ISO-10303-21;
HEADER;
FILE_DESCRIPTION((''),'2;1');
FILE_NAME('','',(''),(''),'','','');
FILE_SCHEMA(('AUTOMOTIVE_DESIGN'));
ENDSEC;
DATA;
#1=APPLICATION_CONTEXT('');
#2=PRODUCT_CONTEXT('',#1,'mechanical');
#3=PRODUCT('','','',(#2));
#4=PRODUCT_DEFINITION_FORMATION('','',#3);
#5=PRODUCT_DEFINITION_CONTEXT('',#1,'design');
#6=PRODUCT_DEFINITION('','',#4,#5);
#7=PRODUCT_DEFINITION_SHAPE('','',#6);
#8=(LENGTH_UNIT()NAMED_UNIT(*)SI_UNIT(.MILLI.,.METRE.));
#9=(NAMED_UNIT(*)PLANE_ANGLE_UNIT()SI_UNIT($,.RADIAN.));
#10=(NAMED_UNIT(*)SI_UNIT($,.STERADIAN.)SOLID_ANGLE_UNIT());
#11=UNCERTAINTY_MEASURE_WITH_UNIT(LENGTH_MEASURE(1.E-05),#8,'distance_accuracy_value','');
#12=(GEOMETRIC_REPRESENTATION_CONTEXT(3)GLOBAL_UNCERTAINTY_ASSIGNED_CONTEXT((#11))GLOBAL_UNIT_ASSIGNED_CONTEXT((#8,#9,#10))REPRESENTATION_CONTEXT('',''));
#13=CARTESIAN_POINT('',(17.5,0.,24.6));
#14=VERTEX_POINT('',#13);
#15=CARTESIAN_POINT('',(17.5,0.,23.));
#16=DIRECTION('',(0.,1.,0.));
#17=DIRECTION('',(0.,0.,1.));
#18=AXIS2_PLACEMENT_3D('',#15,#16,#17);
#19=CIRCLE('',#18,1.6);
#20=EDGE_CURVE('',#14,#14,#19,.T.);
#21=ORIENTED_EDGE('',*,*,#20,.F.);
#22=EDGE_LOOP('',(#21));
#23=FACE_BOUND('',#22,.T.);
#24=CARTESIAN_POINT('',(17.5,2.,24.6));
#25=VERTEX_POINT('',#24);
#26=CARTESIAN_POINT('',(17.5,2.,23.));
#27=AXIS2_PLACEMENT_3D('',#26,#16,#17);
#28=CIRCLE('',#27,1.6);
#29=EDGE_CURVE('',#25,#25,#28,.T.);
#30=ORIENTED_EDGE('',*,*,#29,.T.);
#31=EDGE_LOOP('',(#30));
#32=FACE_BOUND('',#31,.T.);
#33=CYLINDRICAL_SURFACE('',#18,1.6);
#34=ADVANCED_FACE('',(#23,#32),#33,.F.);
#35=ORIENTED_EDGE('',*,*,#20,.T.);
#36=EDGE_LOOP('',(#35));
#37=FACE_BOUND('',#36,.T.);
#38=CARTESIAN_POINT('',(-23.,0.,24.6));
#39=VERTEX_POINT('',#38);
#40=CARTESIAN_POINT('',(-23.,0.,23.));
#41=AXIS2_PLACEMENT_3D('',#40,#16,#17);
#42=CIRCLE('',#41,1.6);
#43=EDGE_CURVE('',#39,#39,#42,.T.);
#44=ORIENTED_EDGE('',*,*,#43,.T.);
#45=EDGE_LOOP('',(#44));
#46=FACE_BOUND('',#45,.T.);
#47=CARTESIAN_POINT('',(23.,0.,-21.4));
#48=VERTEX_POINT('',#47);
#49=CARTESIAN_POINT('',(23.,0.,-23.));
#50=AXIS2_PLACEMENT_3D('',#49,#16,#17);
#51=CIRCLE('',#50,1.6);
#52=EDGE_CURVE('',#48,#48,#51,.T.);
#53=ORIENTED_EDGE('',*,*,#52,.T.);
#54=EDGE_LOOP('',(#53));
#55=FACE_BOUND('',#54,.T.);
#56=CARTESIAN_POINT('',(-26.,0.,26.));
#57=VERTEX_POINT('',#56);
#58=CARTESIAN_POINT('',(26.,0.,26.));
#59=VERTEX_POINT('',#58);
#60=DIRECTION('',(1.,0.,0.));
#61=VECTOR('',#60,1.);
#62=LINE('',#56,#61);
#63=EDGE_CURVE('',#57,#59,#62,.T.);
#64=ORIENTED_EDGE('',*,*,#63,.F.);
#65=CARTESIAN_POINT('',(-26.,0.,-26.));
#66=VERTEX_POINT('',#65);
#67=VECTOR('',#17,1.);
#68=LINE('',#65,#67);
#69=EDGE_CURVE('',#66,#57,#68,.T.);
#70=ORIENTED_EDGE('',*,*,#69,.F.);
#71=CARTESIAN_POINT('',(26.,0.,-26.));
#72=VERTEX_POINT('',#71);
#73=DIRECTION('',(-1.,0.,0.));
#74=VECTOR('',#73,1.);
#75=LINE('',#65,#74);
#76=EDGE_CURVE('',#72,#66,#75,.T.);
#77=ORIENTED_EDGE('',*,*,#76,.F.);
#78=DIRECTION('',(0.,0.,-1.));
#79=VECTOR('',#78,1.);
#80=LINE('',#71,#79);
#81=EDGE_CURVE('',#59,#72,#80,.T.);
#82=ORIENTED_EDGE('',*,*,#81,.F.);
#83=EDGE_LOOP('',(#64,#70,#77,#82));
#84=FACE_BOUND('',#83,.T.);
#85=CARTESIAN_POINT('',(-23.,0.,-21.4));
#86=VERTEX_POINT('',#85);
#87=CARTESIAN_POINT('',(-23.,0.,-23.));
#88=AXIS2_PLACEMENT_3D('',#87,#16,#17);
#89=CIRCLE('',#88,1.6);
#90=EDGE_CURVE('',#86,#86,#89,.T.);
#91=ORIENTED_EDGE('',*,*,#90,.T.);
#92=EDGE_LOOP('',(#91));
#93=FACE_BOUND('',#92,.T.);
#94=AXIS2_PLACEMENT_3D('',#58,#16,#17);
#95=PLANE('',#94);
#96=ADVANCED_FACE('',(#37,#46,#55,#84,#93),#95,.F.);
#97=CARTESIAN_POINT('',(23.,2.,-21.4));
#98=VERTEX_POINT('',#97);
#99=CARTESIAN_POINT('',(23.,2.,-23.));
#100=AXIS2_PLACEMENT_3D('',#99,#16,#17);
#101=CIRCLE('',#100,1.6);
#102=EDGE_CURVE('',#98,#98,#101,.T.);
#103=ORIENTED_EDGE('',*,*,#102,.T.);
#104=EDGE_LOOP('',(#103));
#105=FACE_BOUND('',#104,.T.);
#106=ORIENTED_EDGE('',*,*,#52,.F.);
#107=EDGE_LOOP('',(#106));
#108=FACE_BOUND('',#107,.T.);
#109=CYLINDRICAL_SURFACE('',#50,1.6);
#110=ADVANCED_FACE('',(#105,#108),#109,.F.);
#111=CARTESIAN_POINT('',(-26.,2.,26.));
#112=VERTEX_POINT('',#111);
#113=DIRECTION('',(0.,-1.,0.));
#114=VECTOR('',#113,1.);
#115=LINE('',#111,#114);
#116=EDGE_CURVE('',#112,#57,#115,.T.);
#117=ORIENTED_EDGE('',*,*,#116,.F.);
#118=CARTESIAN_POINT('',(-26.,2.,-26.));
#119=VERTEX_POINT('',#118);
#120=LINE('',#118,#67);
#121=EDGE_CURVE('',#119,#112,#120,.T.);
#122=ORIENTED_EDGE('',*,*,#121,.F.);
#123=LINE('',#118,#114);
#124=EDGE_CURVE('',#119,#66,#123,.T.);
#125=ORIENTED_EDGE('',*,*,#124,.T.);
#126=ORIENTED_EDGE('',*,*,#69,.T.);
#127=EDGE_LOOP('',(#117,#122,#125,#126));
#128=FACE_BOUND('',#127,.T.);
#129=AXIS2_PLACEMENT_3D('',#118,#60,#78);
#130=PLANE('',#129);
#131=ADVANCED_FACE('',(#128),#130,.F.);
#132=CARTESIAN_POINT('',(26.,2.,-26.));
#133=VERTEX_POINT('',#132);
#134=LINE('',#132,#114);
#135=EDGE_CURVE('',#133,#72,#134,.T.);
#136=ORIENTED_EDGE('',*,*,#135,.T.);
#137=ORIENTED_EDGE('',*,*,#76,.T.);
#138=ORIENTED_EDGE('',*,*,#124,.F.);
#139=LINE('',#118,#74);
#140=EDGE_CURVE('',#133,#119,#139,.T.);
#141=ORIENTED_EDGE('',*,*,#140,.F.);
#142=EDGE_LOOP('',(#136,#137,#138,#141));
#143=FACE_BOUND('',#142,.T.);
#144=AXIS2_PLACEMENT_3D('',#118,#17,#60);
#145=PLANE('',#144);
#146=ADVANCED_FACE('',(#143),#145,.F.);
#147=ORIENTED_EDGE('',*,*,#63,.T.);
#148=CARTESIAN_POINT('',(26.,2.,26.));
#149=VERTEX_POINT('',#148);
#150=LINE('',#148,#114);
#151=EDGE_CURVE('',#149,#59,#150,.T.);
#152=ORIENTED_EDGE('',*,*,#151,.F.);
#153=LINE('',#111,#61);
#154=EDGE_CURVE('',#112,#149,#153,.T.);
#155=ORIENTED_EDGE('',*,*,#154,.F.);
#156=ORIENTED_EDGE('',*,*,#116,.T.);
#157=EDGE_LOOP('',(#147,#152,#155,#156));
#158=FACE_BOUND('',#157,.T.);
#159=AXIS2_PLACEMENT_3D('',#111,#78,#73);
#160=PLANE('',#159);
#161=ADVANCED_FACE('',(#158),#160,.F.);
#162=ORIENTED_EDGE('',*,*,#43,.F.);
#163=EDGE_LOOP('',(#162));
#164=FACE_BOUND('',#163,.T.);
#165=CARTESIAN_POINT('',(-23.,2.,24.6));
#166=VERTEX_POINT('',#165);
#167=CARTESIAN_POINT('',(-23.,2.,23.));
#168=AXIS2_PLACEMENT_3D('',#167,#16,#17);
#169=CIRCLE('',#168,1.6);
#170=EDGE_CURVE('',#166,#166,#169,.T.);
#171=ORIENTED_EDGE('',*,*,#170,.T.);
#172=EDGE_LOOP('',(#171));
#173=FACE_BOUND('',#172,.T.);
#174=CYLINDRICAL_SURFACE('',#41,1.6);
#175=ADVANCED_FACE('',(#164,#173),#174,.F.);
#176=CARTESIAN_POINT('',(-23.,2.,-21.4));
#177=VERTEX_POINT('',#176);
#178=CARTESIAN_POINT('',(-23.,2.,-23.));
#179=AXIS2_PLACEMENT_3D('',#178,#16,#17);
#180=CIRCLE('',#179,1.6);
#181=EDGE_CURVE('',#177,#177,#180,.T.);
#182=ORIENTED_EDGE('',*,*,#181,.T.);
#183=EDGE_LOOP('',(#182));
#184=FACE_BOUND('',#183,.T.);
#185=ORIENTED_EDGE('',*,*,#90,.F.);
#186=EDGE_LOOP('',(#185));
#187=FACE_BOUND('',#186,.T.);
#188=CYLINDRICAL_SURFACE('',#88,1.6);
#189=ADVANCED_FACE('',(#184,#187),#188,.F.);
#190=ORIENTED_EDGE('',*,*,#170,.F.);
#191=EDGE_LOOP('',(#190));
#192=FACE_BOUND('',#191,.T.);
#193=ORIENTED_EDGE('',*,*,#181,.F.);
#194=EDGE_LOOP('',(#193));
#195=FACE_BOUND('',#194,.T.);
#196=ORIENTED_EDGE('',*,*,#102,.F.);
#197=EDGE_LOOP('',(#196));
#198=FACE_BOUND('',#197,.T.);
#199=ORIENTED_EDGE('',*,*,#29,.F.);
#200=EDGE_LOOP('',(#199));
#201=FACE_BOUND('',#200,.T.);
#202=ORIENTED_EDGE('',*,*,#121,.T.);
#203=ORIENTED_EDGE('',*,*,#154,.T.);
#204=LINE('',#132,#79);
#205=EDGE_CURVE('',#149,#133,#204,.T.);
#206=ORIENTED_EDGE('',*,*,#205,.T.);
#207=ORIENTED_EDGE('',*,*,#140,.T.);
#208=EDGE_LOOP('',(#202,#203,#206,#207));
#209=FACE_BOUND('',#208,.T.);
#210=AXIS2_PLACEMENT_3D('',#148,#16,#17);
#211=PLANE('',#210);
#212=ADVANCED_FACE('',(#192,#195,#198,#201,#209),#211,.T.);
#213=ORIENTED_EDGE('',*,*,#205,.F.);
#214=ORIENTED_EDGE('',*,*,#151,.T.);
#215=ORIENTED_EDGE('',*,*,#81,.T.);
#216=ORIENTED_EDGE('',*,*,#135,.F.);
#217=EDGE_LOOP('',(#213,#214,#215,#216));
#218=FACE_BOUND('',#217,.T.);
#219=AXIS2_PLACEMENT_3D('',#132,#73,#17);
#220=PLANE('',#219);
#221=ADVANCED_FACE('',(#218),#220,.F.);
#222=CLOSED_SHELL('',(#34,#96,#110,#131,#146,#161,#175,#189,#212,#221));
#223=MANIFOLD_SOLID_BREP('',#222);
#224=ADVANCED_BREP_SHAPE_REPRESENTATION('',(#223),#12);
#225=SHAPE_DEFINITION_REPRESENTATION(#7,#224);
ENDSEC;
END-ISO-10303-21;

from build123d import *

# Parameters (mm, degrees)
SKETCH1_W      = 52
SKETCH1_H      = 52
EXTRUDE1_DEPTH = 2
SKETCH2_R      = 1.6
EXTRUDE2_DEPTH = 2


with BuildPart() as part:
    # Sketch1 → Extrude1 (new body)
    with BuildSketch(Plane(origin=(0, 0, 0), x_dir=(1, 0, 0), z_dir=(0, 1, 0))):
        Rectangle(SKETCH1_W, SKETCH1_H)
    extrude(amount=EXTRUDE1_DEPTH)

    # Sketch2 → Extrude2 (cut)
    with BuildSketch(Plane(origin=(0, 2, 0), x_dir=(1, 0, 0), z_dir=(0, 1, 0))):
        with Locations((23, 23)):
            Circle(SKETCH2_R)
        with Locations((-23, 23)):
            Circle(SKETCH2_R)
        with Locations((-23, -23)):
            Circle(SKETCH2_R)
        with Locations((17.5, -23)):
            Circle(SKETCH2_R)
    extrude(amount=-EXTRUDE2_DEPTH, mode=Mode.SUBTRACT)


solid = part.part
